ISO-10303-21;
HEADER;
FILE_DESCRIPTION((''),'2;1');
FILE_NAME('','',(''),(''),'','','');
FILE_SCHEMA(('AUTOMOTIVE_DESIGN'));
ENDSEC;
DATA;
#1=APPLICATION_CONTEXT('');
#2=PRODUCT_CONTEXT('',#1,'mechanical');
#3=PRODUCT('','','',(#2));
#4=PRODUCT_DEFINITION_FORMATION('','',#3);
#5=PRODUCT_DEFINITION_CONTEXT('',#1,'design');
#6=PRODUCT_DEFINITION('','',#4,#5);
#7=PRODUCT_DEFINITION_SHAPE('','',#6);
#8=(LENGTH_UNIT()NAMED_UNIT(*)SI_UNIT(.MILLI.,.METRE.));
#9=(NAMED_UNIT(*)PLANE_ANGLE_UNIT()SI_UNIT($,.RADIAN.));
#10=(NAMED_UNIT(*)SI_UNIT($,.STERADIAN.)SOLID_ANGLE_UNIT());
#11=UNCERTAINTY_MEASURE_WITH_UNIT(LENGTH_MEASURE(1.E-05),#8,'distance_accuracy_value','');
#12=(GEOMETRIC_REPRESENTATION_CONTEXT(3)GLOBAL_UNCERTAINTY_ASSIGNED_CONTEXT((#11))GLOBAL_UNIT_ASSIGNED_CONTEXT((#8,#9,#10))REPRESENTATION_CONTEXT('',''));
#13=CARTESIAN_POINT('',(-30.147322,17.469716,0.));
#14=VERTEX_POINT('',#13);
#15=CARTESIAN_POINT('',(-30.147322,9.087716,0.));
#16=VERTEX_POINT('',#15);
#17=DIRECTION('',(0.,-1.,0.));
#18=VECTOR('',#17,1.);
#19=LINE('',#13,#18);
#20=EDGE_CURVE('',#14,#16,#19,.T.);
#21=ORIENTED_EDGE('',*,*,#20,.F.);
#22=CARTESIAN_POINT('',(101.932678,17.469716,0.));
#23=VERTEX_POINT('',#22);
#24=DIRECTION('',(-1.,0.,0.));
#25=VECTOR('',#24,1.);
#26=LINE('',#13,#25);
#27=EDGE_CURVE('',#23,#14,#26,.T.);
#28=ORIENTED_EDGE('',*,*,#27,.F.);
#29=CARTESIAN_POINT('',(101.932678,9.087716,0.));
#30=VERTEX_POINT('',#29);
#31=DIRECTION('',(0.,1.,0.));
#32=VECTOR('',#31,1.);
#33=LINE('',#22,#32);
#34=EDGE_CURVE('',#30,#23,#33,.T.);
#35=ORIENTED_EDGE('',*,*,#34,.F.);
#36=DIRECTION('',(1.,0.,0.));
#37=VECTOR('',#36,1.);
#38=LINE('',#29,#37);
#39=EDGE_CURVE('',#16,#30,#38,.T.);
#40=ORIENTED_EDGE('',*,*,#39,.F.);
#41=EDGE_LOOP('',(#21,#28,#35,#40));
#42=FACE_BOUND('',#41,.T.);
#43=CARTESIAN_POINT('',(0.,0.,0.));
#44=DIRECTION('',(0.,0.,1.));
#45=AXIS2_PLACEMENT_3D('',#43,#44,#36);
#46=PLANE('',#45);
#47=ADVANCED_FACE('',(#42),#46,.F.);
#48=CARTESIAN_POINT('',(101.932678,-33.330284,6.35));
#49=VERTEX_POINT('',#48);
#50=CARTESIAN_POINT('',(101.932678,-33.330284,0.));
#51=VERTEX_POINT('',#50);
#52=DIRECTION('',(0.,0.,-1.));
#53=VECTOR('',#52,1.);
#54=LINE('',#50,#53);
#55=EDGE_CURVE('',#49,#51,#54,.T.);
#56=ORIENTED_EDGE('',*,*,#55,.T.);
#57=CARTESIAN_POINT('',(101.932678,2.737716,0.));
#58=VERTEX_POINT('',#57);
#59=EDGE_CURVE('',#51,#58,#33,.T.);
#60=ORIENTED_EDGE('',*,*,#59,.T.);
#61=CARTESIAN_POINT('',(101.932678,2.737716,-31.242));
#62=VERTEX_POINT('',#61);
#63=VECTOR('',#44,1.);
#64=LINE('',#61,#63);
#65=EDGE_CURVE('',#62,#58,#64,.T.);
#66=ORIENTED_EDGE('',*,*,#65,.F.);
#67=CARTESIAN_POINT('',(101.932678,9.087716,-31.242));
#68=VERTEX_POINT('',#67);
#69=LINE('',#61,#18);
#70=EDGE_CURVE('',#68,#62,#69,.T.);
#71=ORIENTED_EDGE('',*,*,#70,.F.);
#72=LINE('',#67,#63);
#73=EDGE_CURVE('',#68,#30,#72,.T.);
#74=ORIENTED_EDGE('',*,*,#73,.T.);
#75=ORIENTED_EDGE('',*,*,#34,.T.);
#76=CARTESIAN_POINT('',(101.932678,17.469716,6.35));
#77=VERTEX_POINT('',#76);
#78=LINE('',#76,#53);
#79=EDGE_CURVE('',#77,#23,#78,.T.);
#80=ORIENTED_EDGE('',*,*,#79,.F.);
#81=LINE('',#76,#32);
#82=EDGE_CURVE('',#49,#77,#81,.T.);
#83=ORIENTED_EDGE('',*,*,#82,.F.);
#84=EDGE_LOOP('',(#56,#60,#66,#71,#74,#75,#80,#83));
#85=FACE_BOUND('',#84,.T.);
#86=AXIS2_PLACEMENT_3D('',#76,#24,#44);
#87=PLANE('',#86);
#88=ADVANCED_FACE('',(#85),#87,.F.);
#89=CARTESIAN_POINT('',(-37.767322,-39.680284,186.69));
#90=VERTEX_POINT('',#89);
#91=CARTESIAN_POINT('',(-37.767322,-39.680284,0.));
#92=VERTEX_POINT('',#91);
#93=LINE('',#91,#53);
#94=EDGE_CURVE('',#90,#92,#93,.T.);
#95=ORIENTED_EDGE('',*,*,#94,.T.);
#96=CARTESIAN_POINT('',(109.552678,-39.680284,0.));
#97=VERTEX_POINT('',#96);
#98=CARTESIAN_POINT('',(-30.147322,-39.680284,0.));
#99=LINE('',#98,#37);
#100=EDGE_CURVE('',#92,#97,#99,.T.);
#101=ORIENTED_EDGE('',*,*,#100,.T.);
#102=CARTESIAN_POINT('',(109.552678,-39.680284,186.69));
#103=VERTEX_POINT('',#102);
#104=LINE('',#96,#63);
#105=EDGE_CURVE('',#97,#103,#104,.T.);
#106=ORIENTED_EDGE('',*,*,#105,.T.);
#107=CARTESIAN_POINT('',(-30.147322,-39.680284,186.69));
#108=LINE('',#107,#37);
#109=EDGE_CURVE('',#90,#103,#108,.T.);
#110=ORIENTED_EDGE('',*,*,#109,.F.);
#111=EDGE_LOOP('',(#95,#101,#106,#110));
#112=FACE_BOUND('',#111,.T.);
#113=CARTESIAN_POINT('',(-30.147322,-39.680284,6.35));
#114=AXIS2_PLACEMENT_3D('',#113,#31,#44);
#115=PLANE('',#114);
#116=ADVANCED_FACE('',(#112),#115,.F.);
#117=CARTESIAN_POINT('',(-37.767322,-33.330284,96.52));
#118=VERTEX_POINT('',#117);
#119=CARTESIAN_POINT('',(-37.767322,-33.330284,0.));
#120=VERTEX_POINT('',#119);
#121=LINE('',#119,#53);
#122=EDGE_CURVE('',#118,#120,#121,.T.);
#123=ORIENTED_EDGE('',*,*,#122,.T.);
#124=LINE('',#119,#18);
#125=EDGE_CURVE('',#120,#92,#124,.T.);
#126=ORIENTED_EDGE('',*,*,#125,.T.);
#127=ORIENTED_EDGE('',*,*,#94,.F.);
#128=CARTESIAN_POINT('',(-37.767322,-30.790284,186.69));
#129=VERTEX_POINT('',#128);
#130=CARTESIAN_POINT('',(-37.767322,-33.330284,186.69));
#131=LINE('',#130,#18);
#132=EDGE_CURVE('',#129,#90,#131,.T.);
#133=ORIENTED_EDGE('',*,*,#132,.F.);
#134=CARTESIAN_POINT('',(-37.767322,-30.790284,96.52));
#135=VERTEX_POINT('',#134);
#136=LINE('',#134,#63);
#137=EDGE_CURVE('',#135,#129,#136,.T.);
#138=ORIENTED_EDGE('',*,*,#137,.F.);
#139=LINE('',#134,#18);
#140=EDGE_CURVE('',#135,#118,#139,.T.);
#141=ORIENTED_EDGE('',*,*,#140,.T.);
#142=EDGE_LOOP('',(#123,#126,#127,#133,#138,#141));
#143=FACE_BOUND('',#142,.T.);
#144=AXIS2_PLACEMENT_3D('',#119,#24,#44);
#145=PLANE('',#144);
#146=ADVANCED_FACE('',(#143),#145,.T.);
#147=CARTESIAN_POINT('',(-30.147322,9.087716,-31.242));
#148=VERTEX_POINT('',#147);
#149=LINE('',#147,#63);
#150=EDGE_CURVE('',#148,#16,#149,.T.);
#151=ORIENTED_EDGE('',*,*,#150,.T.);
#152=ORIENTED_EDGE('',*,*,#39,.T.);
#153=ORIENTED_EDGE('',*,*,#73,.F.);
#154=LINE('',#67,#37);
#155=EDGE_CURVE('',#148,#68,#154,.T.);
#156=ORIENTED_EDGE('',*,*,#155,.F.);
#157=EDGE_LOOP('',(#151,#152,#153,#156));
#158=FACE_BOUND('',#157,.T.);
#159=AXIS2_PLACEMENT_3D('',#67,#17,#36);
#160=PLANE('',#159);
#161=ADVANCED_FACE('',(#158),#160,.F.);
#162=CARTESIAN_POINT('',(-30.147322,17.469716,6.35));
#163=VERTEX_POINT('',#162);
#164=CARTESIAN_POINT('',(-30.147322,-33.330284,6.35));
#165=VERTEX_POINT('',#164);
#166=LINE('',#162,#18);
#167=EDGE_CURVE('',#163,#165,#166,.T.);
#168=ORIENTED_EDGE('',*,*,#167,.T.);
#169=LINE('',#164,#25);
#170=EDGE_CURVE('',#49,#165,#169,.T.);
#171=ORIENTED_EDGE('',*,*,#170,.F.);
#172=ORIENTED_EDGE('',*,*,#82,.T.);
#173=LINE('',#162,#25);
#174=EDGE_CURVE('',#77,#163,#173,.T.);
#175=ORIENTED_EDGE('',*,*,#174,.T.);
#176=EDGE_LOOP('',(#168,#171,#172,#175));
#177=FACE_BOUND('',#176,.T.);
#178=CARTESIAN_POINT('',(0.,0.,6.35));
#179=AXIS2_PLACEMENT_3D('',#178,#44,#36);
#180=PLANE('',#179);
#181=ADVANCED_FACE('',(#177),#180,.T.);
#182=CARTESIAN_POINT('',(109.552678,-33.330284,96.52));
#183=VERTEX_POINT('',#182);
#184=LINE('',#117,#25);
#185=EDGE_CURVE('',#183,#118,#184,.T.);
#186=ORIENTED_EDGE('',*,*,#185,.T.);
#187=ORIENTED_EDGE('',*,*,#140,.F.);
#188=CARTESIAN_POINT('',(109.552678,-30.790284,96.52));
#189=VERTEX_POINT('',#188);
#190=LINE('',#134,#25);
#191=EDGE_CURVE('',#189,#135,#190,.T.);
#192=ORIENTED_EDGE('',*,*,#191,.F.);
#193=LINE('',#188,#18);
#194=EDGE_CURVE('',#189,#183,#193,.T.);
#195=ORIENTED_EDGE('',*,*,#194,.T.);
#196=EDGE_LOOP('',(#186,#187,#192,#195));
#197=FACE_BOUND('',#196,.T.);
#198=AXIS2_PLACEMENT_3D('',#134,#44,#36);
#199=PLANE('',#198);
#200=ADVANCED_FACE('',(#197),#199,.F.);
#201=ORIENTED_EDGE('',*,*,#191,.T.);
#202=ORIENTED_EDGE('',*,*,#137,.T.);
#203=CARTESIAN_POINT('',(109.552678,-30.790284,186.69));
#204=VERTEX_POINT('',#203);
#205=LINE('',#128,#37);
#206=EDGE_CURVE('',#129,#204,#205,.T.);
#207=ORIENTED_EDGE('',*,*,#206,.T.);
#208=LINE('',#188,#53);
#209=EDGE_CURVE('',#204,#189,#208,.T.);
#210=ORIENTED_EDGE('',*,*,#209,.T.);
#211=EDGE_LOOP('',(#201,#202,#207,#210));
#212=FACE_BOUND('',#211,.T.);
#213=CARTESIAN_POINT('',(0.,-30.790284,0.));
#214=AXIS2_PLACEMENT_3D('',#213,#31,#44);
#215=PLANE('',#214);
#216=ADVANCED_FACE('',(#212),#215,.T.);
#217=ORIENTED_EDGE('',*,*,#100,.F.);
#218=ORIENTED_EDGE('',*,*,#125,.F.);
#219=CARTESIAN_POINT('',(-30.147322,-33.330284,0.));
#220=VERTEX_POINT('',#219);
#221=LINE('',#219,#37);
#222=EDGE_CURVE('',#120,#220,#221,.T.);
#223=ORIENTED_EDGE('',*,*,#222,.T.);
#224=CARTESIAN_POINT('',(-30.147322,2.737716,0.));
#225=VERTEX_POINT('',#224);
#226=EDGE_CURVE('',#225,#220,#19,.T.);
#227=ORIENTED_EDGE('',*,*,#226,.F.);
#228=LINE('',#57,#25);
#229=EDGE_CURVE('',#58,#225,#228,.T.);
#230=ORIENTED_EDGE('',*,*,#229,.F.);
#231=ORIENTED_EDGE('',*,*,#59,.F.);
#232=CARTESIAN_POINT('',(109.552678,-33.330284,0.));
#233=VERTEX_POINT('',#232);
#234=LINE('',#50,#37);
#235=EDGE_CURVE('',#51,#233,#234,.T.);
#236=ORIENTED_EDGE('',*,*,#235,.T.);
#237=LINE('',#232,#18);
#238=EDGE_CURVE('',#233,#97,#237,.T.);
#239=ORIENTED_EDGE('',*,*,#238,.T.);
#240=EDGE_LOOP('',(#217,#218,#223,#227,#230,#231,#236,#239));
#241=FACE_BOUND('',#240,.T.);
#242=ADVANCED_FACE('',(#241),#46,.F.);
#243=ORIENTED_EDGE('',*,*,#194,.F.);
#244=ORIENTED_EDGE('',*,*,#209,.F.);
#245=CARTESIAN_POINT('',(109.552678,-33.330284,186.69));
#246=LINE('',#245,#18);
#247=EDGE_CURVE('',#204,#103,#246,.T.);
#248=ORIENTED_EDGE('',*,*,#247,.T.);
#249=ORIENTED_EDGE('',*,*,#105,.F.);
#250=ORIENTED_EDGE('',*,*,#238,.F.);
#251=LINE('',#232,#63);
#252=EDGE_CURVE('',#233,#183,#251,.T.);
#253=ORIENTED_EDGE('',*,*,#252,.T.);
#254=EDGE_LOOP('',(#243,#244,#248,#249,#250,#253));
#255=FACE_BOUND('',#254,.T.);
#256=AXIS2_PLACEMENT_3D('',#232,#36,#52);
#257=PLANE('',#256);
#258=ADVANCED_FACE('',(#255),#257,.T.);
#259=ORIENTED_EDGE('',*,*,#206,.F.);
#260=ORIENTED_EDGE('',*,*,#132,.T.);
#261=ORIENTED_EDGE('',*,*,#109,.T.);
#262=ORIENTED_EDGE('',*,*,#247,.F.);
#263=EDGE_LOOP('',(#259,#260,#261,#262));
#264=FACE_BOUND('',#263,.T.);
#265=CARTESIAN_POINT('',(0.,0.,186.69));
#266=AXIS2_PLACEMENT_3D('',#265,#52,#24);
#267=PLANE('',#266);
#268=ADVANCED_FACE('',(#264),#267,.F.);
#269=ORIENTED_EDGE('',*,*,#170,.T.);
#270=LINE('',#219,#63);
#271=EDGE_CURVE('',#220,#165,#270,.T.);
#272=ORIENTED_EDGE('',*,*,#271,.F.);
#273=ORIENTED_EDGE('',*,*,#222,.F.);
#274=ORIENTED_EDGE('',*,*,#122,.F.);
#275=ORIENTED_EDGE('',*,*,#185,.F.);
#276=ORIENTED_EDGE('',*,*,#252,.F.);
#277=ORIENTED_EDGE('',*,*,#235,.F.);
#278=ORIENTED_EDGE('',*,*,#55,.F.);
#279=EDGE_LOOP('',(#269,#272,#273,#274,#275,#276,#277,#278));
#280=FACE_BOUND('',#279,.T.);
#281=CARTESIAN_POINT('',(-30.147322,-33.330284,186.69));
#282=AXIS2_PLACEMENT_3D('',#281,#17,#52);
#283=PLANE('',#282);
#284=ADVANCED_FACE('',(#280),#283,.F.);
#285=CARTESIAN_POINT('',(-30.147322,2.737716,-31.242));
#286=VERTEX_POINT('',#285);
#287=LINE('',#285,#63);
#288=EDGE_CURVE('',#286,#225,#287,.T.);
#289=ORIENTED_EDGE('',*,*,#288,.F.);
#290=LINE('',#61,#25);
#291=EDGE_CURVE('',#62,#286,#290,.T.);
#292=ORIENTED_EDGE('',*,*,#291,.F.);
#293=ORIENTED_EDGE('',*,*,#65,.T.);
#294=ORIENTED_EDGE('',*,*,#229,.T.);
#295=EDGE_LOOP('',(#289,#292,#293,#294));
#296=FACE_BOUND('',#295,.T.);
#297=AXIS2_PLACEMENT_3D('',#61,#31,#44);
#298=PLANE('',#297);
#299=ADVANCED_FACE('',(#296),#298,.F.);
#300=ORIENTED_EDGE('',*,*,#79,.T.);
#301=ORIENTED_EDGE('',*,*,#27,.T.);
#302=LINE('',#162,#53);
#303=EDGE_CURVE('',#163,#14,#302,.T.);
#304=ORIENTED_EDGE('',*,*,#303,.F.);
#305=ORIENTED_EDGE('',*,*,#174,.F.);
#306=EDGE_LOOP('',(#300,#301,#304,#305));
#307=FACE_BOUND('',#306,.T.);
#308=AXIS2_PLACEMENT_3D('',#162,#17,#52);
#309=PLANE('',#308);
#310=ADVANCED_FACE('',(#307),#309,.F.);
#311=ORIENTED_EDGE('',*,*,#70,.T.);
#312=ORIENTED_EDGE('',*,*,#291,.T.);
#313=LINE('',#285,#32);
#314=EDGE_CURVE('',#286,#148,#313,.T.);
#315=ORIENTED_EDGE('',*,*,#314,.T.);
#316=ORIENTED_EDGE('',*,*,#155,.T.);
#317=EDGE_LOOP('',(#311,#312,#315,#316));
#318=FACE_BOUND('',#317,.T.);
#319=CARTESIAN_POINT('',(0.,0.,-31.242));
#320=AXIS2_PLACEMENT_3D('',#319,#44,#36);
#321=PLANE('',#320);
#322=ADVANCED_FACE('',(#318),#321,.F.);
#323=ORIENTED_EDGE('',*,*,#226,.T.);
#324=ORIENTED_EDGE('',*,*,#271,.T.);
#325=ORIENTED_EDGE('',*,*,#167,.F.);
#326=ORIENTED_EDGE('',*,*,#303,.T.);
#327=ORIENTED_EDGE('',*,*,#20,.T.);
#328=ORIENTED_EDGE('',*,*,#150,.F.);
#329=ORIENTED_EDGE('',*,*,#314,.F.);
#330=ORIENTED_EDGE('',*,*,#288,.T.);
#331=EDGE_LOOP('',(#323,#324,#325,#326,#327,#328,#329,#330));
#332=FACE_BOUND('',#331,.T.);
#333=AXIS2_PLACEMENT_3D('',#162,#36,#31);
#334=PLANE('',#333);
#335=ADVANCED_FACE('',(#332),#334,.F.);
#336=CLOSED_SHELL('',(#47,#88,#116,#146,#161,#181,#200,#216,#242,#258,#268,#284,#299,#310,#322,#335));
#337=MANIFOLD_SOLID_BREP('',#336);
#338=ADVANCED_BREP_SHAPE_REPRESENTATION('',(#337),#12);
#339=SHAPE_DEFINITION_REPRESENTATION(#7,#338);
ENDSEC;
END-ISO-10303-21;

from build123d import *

# Parameters (mm, degrees)
SKETCH1_W           = 132.08
SKETCH1_H           = 57.15
BOSS_EXTRUDE1_DEPTH = 6.35
SKETCH2_W           = 132.08
SKETCH2_H           = 6.35
BOSS_EXTRUDE2_DEPTH = 31.242
SKETCH3_W           = 132.08
SKETCH3_H           = 6.35
BOSS_EXTRUDE3_DEPTH = 180.34
SKETCH4_W           = 7.62
SKETCH4_H           = 186.69
BOSS_EXTRUDE4_DEPTH = 6.35
SKETCH5_W           = 147.32
SKETCH5_H           = 90.17
BOSS_EXTRUDE5_DEPTH = 2.54


with BuildPart() as part:
    # Sketch1 → Boss-Extrude1 (new body)
    with BuildSketch(Plane.XY):
        with Locations((35.892678297, -11.105284376)):
            Rectangle(SKETCH1_W, SKETCH1_H)
    extrude(amount=BOSS_EXTRUDE1_DEPTH)

    # Sketch2 → Boss-Extrude2 (add)
    with BuildSketch(Plane(origin=(0, 0, 0), x_dir=(-1, 0, 0), z_dir=(0, 0, -1))):
        with Locations((-35.892678297, 5.912715624)):
            Rectangle(SKETCH2_W, SKETCH2_H)
    extrude(amount=BOSS_EXTRUDE2_DEPTH)

    # Sketch3 → Boss-Extrude3 (add)
    with BuildSketch(Plane.XY.offset(6.35)):
        with Locations((35.892678297, -36.505284376)):
            Rectangle(SKETCH3_W, SKETCH3_H)
    extrude(amount=BOSS_EXTRUDE3_DEPTH)

    # Sketch4 → Boss-Extrude4 (add)
    with BuildSketch(Plane.XZ.offset(39.680284376)):
        with Locations((-33.957321703, 93.345)):
            Rectangle(SKETCH4_W, SKETCH4_H)
        with Locations((105.742678297, 93.345)):
            Rectangle(SKETCH4_W, SKETCH4_H)
    extrude(amount=-BOSS_EXTRUDE4_DEPTH)

    # Sketch5 → Boss-Extrude5 (add)
    with BuildSketch(Plane(origin=(0, -33.330284376, 0), x_dir=(1, 0, 0), z_dir=(0, 1, 0))):
        with Locations((35.892678297, -141.605)):
            Rectangle(SKETCH5_W, SKETCH5_H)
    extrude(amount=BOSS_EXTRUDE5_DEPTH)


solid = part.part
